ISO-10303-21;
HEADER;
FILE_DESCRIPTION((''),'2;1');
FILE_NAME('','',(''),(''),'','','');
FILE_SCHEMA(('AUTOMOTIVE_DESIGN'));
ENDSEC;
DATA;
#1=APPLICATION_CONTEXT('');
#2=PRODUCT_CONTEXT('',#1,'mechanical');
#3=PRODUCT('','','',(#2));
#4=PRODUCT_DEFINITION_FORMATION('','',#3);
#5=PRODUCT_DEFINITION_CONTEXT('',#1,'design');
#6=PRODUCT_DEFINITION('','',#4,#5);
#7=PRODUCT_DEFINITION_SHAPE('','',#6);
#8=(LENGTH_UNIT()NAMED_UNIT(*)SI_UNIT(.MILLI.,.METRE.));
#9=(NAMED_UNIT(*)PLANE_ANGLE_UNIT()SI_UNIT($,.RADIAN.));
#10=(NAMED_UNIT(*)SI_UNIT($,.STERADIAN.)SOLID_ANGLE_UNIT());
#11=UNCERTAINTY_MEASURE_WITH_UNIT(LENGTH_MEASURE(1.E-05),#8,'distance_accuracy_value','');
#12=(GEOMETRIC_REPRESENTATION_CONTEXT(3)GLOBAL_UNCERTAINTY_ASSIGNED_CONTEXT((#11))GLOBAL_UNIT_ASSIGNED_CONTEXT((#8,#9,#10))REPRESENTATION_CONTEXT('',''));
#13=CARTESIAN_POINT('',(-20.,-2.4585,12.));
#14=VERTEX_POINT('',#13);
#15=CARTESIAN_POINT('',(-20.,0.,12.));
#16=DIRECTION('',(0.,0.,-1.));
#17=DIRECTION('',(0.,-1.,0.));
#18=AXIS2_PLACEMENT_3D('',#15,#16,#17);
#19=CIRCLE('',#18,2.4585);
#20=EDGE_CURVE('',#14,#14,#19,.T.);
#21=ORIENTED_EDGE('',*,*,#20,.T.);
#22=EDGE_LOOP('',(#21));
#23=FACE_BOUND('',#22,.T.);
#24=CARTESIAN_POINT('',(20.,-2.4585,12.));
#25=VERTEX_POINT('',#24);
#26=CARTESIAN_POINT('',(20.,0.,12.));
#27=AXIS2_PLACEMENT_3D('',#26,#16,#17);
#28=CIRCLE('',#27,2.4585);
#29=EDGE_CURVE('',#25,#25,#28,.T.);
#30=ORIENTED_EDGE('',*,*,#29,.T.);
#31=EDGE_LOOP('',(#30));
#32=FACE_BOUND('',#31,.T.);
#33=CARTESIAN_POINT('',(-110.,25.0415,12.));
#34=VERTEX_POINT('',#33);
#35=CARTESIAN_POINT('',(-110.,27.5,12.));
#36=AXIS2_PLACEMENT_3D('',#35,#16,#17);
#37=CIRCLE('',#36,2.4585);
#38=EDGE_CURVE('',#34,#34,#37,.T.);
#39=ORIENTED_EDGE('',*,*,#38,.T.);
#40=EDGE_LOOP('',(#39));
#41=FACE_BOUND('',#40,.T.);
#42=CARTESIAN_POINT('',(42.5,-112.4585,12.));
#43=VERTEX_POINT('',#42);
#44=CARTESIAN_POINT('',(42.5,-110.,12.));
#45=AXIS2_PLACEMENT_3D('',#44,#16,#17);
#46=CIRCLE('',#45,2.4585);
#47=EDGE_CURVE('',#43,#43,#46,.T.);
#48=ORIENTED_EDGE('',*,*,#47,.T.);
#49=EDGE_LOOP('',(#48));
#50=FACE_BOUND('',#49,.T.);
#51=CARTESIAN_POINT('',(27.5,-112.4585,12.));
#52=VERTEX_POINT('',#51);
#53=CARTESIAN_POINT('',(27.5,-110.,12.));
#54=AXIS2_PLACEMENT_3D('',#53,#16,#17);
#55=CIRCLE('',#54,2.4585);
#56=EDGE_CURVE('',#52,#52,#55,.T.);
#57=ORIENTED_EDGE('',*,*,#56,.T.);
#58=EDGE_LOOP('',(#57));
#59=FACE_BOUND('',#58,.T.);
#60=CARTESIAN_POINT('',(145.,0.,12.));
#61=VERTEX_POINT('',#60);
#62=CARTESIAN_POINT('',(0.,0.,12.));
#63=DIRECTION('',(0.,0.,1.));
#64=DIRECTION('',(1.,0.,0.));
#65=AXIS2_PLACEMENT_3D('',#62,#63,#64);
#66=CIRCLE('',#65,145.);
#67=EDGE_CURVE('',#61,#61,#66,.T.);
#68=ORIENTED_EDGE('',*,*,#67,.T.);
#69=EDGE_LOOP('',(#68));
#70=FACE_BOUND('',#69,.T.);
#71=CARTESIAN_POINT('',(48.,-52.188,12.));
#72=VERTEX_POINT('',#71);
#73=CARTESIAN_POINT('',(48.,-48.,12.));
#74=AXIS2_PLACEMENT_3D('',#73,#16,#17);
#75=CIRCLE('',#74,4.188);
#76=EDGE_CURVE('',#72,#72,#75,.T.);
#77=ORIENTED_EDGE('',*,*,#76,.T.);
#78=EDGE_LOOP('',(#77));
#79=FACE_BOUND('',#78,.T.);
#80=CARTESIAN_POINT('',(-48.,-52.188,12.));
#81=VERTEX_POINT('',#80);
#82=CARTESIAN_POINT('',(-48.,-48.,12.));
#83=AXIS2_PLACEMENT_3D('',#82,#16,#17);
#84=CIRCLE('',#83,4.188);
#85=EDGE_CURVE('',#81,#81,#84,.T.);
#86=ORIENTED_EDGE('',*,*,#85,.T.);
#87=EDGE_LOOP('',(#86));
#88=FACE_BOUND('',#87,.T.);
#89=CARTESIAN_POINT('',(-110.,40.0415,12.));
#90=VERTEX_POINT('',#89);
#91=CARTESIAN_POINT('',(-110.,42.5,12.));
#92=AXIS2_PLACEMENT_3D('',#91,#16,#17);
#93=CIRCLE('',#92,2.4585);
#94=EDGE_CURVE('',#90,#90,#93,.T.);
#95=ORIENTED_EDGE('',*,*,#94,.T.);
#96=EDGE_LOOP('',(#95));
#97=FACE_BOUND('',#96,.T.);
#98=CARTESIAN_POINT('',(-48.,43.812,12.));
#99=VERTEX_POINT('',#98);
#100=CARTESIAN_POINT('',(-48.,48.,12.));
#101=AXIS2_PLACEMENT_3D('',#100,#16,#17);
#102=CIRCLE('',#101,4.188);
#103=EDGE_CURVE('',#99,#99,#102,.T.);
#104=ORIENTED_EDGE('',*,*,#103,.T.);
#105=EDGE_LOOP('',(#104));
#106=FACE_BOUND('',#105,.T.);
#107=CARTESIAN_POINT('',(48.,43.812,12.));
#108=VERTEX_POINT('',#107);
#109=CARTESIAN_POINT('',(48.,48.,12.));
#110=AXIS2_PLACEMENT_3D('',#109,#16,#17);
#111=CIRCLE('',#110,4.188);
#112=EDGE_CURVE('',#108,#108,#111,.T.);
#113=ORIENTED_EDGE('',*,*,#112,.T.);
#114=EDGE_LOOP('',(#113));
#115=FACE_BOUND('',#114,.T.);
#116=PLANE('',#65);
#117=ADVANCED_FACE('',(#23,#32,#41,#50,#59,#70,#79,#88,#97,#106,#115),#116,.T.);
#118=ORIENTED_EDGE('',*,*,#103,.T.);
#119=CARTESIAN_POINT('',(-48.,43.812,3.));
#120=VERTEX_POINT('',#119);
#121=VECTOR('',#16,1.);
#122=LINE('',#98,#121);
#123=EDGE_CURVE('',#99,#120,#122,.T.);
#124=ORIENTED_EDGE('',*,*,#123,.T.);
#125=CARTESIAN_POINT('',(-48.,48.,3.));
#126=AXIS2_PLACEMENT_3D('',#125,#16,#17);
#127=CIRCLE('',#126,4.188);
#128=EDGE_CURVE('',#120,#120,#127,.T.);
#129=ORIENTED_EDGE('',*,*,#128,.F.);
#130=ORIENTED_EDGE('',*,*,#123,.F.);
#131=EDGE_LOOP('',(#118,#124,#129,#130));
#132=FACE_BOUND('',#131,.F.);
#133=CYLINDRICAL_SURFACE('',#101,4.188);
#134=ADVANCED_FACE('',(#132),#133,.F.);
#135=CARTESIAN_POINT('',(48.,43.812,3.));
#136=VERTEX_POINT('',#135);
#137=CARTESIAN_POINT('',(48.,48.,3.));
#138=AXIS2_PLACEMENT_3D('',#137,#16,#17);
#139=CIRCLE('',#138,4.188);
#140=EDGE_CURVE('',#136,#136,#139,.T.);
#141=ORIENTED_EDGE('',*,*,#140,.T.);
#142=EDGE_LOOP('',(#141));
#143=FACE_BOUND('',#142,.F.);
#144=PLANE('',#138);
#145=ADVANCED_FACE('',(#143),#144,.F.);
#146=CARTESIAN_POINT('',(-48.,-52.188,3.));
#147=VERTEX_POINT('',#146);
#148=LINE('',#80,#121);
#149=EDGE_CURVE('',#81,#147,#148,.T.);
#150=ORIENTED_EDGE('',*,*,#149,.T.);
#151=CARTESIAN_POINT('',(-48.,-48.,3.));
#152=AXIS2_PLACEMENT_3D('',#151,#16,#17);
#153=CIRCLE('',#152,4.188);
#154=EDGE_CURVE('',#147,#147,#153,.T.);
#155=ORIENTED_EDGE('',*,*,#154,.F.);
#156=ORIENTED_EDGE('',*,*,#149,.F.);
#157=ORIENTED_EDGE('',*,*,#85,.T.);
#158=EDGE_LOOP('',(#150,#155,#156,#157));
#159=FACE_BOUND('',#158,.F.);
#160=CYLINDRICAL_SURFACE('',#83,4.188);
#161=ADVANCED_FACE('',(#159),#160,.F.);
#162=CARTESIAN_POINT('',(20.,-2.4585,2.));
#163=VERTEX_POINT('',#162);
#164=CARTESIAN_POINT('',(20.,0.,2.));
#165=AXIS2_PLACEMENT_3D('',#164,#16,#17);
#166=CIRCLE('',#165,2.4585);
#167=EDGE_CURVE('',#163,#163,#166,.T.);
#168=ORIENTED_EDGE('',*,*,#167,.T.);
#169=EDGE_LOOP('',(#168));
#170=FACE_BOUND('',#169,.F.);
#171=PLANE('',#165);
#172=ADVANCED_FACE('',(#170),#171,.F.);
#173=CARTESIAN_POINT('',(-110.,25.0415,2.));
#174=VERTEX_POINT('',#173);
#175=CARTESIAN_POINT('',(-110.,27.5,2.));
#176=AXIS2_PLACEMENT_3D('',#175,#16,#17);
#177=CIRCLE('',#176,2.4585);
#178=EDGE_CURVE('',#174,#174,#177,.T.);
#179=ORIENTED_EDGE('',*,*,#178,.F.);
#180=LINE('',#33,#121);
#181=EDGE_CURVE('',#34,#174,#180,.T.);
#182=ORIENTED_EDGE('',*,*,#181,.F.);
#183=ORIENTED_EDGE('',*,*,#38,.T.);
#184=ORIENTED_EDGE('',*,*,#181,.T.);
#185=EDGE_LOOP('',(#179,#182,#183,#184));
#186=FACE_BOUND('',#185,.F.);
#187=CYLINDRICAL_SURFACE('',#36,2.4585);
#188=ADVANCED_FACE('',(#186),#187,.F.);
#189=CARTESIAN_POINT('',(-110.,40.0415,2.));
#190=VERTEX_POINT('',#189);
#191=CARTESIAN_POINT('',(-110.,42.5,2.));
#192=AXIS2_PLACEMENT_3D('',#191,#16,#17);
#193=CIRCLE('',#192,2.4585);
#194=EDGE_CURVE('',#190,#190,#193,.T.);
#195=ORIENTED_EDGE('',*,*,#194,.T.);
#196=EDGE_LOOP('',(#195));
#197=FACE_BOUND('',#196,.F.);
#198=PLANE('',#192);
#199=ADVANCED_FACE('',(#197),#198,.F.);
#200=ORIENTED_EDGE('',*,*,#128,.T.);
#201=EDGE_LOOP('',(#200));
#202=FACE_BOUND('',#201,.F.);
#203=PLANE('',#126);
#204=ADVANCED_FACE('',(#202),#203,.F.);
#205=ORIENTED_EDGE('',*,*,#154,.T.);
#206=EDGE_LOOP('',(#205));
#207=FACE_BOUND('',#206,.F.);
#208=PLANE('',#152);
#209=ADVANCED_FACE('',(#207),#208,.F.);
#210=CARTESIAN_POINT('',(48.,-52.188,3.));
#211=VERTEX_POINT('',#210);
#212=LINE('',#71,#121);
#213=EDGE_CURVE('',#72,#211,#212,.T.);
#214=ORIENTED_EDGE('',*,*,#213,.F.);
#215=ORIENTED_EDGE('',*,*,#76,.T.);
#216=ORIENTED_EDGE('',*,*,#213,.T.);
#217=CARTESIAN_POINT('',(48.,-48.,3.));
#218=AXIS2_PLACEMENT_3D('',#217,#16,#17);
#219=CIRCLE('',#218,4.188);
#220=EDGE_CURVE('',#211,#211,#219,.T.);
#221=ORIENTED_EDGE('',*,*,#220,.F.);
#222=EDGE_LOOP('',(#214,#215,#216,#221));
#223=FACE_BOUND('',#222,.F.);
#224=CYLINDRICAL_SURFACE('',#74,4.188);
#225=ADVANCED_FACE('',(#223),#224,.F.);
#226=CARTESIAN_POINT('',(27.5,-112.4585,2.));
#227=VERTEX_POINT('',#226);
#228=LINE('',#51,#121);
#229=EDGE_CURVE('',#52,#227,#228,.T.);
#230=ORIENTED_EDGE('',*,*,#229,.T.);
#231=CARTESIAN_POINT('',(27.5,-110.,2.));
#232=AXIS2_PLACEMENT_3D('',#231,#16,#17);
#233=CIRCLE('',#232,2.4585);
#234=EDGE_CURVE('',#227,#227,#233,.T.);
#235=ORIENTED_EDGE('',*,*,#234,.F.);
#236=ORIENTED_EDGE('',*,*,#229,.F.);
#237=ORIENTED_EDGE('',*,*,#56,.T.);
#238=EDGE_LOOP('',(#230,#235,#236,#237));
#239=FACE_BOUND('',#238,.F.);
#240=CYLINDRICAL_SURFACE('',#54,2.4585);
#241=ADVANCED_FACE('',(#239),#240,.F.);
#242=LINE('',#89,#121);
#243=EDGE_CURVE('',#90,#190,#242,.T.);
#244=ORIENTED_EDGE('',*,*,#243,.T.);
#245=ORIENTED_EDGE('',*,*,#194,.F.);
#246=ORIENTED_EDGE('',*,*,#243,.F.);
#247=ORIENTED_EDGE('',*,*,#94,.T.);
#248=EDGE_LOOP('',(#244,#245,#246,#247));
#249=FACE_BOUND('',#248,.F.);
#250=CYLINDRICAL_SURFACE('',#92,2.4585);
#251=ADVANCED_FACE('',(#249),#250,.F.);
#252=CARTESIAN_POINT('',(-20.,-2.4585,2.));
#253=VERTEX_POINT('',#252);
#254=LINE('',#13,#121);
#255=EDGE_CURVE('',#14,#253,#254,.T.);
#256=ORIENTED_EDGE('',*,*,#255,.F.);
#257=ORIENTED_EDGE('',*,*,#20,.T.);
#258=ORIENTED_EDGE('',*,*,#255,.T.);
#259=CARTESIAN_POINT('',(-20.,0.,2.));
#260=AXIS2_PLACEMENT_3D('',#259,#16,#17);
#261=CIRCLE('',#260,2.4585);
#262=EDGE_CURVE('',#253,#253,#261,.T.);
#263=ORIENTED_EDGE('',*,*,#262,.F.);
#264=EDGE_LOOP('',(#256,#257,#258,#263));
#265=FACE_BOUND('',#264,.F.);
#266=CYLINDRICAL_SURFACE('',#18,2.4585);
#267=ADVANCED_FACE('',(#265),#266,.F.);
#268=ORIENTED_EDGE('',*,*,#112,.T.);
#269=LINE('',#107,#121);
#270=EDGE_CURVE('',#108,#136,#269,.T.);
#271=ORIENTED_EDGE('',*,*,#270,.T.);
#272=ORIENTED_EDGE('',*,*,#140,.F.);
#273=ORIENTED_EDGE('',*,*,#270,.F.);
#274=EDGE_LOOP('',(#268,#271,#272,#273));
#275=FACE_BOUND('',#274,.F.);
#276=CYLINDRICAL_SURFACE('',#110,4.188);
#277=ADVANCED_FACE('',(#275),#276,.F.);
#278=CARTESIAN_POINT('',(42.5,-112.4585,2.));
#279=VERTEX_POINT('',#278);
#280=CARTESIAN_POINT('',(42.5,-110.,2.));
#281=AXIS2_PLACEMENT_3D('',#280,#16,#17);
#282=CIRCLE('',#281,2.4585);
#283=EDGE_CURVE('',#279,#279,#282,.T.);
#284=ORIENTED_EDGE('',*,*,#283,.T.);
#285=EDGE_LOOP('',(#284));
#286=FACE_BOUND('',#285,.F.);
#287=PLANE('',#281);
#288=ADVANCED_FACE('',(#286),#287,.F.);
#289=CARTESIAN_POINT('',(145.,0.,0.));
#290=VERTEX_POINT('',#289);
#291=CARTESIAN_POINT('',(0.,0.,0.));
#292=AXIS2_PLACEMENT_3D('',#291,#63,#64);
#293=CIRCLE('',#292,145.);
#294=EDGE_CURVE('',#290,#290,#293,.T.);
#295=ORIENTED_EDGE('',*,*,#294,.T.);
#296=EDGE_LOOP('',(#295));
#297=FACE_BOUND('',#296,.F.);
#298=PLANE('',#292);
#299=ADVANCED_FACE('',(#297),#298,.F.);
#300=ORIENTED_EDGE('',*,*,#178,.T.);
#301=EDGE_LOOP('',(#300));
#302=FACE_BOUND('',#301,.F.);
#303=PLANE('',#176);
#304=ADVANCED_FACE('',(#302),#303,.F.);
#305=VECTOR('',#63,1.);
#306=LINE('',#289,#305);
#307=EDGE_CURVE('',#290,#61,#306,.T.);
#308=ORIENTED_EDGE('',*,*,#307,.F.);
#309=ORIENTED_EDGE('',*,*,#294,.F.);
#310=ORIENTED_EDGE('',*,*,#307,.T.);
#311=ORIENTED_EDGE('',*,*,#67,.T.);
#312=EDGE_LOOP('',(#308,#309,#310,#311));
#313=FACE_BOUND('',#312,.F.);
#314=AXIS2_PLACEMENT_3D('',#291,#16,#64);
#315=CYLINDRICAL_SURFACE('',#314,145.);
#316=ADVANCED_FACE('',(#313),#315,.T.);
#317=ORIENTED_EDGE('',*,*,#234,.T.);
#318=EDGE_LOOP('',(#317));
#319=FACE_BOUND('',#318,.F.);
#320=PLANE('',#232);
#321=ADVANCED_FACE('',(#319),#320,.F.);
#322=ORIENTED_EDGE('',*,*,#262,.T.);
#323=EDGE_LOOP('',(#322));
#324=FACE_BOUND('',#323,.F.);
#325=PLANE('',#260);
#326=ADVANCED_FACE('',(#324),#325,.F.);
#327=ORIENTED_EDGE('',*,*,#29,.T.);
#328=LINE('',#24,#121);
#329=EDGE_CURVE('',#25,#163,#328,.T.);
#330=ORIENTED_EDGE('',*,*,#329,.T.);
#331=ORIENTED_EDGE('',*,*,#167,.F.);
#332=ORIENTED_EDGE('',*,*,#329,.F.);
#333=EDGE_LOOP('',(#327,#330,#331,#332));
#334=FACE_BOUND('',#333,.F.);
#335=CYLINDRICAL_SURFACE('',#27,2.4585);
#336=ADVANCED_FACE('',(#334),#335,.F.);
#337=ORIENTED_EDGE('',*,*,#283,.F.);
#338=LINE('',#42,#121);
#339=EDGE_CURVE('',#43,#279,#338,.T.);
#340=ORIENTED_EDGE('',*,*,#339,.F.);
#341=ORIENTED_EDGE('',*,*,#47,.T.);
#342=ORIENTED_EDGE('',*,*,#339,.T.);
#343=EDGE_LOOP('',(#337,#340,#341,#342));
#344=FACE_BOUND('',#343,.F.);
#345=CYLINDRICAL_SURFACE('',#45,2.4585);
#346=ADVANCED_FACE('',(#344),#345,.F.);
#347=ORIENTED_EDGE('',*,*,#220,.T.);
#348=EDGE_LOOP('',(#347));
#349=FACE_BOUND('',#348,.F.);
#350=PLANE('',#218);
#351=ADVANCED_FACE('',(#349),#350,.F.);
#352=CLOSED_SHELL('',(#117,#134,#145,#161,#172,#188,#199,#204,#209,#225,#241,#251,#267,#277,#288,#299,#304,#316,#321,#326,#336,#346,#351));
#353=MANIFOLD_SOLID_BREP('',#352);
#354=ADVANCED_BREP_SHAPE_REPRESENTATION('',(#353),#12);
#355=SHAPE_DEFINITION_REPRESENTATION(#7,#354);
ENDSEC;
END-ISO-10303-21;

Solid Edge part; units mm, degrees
sketch "Sketch1" plane through (0, 0, 0) normal (0, 0, 1) x (1, 0, 0)
  circle A0 centre (0, 0) radius 145
extrude "Protrusion1" add sketch "Sketch1" along normal blind 12
hole "Bohrung_1" at (-20, 0, 12) direction (0, 0, -1) diameter 4.917 depth 10 thread major 6 thread length 8
hole "Hole1" at (20, 0, 12) direction (0, 0, -1) diameter 4.917 depth 10 thread major 6 thread length 8
hole "Bohrung_3" at (-110, 42.5, 12) direction (0, 0, -1) diameter 4.917 depth 10 thread major 6 thread length 8
hole "Hole2" at (-110, 27.5, 12) direction (0, 0, -1) diameter 4.917 depth 10 thread major 6 thread length 8
hole "Bohrung_9" at (42.5, -110, 12) direction (0, 0, -1) diameter 4.917 depth 10 thread major 6 thread length 8
hole "Hole3" at (27.5, -110, 12) direction (0, 0, -1) diameter 4.917 depth 10 thread major 6 thread length 8
hole "Bohrung_11" at (48, -48, 12) direction (0, 0, -1) diameter 8.376 depth 9 thread major 10 thread length 8
hole "Hole4" at (-48, -48, 12) direction (0, 0, -1) diameter 8.376 depth 9 thread major 10 thread length 8
hole "Hole5" at (-48, 48, 12) direction (0, 0, -1) diameter 8.376 depth 9 thread major 10 thread length 8
hole "Hole6" at (48, 48, 12) direction (0, 0, -1) diameter 8.376 depth 9 thread major 10 thread length 8
